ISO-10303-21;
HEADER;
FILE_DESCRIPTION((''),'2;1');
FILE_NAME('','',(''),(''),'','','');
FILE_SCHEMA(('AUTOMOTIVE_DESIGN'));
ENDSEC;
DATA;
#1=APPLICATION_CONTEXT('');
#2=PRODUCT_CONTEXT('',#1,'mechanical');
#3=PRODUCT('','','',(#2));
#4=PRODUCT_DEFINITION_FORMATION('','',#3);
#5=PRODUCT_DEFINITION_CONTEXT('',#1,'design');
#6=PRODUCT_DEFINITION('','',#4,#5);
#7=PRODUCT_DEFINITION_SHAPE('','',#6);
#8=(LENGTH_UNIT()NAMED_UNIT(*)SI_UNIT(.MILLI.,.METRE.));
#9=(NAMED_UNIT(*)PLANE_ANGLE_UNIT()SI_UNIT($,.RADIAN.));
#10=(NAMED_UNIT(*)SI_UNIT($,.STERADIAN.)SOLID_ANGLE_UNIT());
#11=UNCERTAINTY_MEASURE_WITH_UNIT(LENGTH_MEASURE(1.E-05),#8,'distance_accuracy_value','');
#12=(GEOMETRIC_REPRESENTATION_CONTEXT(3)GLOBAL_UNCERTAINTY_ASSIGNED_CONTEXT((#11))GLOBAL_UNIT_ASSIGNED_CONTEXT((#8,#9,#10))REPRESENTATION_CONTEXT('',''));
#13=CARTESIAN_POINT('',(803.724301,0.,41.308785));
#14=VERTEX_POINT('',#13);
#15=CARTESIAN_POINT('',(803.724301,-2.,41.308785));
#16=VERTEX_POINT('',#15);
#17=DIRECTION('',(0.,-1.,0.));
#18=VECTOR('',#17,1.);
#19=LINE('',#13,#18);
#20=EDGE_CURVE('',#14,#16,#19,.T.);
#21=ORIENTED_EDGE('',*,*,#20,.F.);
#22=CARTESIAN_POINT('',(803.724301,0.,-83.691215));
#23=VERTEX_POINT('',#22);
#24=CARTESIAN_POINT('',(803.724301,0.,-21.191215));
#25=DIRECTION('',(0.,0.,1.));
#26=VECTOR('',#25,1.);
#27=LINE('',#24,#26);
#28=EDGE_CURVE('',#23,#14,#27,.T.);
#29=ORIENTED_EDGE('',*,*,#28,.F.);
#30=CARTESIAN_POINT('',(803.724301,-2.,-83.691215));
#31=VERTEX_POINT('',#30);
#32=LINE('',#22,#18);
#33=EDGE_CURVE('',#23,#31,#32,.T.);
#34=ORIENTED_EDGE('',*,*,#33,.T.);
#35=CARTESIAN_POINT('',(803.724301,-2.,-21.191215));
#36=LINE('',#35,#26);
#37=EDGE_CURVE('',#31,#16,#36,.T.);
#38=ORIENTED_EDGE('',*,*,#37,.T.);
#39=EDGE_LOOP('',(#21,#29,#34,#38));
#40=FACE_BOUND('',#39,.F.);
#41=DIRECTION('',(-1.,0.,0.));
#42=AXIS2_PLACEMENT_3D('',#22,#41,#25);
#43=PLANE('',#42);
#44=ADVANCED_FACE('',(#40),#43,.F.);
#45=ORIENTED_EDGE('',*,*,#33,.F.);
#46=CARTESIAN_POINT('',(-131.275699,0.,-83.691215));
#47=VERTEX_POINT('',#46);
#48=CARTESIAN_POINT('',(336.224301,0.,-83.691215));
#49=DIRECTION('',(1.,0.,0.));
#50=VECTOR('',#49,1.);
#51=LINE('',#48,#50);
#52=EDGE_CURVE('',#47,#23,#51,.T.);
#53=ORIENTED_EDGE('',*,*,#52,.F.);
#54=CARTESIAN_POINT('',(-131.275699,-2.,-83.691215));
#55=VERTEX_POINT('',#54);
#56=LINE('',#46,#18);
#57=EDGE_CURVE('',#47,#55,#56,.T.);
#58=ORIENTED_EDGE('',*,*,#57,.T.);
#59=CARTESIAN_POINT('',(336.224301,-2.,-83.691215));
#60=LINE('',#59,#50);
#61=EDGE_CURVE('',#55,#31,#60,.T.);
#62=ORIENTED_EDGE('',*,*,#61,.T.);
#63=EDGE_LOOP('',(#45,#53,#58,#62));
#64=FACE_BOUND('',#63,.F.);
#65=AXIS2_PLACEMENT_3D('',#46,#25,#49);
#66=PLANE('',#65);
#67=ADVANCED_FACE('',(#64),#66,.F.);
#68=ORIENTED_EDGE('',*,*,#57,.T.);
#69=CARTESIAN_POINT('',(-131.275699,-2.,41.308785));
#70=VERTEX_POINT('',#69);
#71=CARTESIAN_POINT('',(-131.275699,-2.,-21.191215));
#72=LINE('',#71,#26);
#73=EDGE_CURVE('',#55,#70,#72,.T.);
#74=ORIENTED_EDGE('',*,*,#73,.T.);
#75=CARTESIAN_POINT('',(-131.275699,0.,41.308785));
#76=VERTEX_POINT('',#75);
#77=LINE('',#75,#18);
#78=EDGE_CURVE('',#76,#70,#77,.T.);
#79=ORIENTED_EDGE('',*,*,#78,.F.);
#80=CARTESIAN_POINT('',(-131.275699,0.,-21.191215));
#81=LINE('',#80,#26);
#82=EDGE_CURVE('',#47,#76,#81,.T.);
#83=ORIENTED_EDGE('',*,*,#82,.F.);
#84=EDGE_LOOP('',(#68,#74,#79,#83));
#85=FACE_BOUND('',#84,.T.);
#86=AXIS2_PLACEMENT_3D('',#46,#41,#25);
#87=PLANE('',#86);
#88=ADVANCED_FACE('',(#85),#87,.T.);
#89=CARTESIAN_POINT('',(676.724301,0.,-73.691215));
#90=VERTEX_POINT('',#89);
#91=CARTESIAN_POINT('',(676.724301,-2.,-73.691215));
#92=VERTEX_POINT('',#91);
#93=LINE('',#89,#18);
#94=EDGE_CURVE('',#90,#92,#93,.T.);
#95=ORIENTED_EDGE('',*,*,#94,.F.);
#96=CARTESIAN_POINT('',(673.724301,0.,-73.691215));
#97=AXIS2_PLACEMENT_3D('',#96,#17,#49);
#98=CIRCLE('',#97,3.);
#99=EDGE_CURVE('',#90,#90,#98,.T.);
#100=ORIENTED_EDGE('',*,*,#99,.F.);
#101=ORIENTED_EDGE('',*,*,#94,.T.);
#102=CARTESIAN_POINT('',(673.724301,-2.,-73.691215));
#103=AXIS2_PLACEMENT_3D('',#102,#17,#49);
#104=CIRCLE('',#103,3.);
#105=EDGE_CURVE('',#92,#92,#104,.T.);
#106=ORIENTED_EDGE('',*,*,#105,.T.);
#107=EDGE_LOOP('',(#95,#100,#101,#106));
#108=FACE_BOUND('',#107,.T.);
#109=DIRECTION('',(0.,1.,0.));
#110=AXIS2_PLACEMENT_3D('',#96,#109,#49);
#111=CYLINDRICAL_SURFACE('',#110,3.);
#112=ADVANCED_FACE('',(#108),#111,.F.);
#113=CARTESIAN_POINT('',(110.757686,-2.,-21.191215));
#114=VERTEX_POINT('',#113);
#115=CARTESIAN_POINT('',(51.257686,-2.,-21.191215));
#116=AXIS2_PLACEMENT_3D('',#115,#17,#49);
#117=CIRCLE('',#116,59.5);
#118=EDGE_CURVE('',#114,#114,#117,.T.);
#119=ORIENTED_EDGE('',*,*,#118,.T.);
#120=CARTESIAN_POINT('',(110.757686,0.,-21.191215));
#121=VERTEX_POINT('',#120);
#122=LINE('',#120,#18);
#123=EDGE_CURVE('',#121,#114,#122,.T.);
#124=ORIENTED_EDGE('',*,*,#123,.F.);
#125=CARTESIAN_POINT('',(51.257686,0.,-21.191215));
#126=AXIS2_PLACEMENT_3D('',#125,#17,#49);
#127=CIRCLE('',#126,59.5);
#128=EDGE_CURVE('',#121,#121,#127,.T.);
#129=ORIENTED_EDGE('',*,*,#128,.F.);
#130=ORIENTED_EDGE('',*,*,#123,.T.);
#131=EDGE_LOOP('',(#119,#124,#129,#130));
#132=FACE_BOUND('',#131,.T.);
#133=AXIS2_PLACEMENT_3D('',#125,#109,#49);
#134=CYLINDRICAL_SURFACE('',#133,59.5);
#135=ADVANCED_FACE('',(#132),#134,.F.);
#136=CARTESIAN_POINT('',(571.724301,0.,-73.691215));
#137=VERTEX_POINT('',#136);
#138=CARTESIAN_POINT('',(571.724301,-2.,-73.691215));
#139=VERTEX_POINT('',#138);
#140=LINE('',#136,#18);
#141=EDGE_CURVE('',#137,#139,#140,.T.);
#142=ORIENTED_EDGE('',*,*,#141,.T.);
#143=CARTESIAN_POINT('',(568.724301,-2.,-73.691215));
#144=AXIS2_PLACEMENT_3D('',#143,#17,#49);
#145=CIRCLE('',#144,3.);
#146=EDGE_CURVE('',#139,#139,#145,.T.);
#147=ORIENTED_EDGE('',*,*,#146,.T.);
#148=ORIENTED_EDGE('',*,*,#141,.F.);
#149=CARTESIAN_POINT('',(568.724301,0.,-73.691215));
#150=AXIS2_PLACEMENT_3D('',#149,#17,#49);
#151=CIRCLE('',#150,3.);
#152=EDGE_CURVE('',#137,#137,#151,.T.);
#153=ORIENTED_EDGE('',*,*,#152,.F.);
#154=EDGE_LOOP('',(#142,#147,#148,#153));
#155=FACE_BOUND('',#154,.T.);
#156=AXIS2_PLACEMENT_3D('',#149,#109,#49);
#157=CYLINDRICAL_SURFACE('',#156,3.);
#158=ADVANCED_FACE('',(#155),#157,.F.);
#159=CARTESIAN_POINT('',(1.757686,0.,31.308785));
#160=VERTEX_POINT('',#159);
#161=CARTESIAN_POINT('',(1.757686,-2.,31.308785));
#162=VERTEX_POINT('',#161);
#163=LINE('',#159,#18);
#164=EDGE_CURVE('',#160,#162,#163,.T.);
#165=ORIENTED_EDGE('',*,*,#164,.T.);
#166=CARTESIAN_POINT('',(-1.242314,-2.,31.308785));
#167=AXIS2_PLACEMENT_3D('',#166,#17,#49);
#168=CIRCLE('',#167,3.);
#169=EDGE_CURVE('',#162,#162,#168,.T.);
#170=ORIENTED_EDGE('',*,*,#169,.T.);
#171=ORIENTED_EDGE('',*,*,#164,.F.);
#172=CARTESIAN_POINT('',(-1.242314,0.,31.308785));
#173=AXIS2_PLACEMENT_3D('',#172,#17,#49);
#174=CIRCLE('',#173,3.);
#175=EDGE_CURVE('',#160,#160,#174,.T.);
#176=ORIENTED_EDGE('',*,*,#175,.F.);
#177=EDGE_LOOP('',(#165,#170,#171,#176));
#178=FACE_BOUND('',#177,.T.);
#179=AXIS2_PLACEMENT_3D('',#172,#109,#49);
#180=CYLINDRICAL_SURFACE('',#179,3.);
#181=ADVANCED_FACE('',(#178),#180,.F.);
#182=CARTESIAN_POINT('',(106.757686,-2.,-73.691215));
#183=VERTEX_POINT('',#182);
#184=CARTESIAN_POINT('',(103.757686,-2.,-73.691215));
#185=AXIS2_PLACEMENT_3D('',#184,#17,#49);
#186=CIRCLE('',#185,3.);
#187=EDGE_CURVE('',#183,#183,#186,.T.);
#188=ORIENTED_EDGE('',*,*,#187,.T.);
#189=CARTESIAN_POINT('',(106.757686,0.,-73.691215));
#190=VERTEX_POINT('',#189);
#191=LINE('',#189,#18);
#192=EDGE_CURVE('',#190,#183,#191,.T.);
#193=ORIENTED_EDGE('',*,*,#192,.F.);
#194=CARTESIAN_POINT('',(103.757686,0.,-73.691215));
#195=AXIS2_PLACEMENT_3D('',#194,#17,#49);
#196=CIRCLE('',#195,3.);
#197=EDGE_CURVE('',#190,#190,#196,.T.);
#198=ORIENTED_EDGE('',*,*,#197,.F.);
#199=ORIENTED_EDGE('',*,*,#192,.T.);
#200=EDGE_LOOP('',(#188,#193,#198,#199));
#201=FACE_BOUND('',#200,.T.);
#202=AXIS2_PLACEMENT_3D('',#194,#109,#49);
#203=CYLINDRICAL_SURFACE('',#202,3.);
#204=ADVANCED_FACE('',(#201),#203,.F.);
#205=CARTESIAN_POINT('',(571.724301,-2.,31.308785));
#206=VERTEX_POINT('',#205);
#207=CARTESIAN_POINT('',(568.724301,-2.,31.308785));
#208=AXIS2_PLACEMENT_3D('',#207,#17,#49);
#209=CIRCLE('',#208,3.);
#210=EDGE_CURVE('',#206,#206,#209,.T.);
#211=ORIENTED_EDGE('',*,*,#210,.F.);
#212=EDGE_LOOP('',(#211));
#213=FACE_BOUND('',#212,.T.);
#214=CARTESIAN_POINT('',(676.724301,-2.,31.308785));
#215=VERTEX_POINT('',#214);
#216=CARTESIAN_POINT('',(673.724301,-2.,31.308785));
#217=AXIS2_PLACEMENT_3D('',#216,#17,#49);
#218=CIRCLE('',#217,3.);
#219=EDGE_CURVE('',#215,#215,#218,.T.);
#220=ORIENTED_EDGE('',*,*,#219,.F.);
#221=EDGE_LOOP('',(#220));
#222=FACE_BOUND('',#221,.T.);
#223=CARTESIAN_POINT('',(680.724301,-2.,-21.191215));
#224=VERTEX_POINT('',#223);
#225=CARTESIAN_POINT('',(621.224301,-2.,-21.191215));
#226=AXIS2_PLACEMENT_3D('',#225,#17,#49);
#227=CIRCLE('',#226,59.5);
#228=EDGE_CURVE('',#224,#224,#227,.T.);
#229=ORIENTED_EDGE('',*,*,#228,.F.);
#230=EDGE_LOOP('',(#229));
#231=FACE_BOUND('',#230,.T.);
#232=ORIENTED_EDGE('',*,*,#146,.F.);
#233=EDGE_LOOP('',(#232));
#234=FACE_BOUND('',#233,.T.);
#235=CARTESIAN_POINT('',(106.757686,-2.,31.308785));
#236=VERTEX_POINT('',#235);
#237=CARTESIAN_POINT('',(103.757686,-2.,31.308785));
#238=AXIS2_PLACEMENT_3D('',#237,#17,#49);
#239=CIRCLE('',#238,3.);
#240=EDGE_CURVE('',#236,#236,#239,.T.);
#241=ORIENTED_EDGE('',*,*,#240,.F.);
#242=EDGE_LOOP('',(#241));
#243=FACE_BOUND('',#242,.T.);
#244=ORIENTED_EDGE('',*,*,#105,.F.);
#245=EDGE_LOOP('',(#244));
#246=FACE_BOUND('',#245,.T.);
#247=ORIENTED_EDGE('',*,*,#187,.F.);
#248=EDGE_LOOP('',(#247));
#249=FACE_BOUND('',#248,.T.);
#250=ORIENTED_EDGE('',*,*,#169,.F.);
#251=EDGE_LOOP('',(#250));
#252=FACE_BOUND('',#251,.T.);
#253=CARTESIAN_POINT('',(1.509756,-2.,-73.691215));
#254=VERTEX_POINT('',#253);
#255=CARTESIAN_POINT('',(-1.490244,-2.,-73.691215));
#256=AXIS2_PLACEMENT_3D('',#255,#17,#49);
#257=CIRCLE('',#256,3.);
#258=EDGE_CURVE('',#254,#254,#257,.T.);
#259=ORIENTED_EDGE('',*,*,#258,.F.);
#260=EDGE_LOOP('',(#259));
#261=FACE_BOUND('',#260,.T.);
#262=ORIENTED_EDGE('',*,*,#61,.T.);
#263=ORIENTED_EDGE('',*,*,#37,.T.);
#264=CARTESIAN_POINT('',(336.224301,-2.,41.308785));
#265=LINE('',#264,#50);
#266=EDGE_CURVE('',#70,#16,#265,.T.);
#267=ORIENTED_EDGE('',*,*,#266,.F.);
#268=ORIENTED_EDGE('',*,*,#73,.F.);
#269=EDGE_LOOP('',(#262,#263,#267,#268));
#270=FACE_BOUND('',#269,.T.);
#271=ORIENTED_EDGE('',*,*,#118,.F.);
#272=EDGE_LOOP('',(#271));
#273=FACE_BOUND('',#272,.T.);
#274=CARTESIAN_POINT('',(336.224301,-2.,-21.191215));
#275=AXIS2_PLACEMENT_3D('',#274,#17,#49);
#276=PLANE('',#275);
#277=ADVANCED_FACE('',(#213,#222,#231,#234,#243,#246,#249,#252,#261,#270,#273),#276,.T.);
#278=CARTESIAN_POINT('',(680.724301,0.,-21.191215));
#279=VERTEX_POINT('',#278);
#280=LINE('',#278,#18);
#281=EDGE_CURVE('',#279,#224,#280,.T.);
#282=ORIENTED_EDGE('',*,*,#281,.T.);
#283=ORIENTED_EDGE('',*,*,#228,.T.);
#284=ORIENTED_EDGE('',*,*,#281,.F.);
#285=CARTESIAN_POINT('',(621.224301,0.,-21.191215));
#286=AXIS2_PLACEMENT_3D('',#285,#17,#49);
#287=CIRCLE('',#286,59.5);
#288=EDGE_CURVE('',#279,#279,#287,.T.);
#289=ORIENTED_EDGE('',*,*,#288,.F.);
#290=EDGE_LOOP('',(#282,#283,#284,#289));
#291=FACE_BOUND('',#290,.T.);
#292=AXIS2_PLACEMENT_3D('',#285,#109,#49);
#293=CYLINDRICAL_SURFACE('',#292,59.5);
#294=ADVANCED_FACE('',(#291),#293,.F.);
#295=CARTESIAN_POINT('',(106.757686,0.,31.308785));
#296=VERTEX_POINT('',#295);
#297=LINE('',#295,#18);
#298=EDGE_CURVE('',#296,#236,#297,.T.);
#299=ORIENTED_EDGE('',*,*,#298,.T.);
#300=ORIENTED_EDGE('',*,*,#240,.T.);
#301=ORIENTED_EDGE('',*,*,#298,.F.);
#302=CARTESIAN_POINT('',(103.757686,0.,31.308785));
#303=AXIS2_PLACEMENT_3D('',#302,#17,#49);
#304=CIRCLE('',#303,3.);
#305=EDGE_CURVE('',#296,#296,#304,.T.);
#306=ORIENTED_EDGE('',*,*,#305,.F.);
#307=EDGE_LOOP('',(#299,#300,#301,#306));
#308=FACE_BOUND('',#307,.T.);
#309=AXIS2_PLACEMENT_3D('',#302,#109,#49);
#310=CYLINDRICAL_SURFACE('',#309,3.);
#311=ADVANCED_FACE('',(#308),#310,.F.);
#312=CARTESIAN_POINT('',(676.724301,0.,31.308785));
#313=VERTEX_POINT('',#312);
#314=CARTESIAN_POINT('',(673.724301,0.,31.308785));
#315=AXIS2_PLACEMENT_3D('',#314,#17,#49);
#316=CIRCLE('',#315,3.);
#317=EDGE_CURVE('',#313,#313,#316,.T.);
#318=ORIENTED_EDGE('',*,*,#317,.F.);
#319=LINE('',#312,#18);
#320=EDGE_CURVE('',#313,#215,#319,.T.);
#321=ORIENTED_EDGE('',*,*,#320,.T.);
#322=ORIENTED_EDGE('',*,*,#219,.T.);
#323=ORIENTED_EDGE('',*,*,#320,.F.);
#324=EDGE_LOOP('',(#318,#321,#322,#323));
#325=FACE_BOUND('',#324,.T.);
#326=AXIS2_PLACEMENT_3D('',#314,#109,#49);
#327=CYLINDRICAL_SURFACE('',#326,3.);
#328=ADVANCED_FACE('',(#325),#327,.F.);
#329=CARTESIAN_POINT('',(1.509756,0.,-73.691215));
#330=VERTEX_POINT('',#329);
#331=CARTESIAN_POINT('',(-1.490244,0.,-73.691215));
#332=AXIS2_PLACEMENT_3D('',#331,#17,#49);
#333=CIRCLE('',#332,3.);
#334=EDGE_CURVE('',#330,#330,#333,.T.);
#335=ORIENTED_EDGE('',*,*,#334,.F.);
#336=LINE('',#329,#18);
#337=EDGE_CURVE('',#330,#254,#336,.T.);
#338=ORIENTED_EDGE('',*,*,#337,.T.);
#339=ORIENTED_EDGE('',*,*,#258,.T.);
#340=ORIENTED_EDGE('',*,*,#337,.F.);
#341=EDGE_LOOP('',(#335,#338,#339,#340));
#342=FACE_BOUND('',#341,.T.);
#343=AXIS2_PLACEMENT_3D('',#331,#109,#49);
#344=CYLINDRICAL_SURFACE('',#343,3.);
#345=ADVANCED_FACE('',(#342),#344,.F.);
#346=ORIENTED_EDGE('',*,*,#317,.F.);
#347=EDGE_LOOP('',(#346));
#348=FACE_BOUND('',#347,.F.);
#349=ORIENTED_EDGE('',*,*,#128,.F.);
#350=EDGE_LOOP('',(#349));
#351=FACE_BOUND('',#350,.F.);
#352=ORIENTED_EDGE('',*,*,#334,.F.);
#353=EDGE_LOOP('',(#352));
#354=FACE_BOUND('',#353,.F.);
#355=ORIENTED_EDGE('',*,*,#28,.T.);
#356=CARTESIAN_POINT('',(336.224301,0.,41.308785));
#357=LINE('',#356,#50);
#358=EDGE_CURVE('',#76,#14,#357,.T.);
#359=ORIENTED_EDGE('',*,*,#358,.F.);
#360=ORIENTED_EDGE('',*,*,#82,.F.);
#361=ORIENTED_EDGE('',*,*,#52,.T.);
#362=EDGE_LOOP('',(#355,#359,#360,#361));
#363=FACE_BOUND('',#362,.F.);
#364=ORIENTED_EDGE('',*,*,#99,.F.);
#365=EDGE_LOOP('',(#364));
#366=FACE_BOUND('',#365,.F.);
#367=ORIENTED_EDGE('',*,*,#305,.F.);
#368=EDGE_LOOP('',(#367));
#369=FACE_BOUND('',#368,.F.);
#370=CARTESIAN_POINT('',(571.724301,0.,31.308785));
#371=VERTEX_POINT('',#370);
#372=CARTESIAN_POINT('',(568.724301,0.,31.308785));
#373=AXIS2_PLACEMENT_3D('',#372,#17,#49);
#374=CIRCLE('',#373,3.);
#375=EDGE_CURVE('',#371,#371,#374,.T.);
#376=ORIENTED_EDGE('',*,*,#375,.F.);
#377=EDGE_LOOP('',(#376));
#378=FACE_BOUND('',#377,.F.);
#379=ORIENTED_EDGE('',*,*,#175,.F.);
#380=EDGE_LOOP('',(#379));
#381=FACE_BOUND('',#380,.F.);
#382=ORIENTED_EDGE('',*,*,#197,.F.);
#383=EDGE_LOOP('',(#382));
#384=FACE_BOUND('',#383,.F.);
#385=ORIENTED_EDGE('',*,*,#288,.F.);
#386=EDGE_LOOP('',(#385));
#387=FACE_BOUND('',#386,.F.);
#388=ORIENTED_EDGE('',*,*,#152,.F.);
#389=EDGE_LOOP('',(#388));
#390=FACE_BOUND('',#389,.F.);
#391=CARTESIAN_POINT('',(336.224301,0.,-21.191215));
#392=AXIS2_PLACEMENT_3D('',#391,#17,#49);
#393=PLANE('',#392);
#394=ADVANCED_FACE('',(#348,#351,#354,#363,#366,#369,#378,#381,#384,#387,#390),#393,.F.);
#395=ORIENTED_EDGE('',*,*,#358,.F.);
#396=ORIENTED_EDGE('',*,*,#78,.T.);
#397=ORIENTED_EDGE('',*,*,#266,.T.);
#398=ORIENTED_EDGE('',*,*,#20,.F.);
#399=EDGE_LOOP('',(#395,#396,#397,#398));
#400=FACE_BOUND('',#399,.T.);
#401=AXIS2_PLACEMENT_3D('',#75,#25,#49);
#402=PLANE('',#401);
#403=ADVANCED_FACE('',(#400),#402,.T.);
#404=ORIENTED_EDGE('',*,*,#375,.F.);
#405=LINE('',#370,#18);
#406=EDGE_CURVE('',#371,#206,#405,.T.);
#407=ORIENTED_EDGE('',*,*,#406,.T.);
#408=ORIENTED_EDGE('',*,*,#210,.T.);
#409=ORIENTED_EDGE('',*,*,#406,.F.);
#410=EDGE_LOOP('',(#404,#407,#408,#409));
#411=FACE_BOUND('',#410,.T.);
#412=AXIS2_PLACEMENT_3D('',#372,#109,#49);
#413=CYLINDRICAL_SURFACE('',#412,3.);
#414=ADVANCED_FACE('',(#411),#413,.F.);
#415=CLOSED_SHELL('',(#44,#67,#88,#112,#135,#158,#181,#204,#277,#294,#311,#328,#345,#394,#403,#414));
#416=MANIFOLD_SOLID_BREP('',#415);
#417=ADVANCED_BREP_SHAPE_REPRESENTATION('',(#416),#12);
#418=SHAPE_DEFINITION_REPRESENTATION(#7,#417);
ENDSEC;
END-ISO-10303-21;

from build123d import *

# Parameters (mm, degrees)
F0_W     = 935
F0_H     = 125
F0_R     = 3
F0_R_2   = 59.5
F1_DEPTH = 2


with BuildPart() as f1:
    # F0 (on Front) → F1 (new body)
    with BuildSketch(Plane.XZ):
        with Locations((336.224301, -21.191215)):
            Rectangle(F0_W, F0_H)
        with Locations((-1.490244, -73.691215)):
            Circle(F0_R, mode=Mode.SUBTRACT)
        with Locations((103.757686, -73.691215)):
            Circle(F0_R, mode=Mode.SUBTRACT)
        with Locations((568.724301, -73.691215)):
            Circle(F0_R, mode=Mode.SUBTRACT)
        with Locations((673.724301, -73.691215)):
            Circle(F0_R, mode=Mode.SUBTRACT)
        with Locations((51.257686, -21.191215)):
            Circle(F0_R_2, mode=Mode.SUBTRACT)
        with Locations((-1.242314, 31.308785)):
            Circle(F0_R, mode=Mode.SUBTRACT)
        with Locations((103.757686, 31.308785)):
            Circle(F0_R, mode=Mode.SUBTRACT)
        with Locations((621.224301, -21.191215)):
            Circle(F0_R_2, mode=Mode.SUBTRACT)
        with Locations((568.724301, 31.308785)):
            Circle(F0_R, mode=Mode.SUBTRACT)
        with Locations((673.724301, 31.308785)):
            Circle(F0_R, mode=Mode.SUBTRACT)
    extrude(amount=F1_DEPTH)


solid = f1.part
